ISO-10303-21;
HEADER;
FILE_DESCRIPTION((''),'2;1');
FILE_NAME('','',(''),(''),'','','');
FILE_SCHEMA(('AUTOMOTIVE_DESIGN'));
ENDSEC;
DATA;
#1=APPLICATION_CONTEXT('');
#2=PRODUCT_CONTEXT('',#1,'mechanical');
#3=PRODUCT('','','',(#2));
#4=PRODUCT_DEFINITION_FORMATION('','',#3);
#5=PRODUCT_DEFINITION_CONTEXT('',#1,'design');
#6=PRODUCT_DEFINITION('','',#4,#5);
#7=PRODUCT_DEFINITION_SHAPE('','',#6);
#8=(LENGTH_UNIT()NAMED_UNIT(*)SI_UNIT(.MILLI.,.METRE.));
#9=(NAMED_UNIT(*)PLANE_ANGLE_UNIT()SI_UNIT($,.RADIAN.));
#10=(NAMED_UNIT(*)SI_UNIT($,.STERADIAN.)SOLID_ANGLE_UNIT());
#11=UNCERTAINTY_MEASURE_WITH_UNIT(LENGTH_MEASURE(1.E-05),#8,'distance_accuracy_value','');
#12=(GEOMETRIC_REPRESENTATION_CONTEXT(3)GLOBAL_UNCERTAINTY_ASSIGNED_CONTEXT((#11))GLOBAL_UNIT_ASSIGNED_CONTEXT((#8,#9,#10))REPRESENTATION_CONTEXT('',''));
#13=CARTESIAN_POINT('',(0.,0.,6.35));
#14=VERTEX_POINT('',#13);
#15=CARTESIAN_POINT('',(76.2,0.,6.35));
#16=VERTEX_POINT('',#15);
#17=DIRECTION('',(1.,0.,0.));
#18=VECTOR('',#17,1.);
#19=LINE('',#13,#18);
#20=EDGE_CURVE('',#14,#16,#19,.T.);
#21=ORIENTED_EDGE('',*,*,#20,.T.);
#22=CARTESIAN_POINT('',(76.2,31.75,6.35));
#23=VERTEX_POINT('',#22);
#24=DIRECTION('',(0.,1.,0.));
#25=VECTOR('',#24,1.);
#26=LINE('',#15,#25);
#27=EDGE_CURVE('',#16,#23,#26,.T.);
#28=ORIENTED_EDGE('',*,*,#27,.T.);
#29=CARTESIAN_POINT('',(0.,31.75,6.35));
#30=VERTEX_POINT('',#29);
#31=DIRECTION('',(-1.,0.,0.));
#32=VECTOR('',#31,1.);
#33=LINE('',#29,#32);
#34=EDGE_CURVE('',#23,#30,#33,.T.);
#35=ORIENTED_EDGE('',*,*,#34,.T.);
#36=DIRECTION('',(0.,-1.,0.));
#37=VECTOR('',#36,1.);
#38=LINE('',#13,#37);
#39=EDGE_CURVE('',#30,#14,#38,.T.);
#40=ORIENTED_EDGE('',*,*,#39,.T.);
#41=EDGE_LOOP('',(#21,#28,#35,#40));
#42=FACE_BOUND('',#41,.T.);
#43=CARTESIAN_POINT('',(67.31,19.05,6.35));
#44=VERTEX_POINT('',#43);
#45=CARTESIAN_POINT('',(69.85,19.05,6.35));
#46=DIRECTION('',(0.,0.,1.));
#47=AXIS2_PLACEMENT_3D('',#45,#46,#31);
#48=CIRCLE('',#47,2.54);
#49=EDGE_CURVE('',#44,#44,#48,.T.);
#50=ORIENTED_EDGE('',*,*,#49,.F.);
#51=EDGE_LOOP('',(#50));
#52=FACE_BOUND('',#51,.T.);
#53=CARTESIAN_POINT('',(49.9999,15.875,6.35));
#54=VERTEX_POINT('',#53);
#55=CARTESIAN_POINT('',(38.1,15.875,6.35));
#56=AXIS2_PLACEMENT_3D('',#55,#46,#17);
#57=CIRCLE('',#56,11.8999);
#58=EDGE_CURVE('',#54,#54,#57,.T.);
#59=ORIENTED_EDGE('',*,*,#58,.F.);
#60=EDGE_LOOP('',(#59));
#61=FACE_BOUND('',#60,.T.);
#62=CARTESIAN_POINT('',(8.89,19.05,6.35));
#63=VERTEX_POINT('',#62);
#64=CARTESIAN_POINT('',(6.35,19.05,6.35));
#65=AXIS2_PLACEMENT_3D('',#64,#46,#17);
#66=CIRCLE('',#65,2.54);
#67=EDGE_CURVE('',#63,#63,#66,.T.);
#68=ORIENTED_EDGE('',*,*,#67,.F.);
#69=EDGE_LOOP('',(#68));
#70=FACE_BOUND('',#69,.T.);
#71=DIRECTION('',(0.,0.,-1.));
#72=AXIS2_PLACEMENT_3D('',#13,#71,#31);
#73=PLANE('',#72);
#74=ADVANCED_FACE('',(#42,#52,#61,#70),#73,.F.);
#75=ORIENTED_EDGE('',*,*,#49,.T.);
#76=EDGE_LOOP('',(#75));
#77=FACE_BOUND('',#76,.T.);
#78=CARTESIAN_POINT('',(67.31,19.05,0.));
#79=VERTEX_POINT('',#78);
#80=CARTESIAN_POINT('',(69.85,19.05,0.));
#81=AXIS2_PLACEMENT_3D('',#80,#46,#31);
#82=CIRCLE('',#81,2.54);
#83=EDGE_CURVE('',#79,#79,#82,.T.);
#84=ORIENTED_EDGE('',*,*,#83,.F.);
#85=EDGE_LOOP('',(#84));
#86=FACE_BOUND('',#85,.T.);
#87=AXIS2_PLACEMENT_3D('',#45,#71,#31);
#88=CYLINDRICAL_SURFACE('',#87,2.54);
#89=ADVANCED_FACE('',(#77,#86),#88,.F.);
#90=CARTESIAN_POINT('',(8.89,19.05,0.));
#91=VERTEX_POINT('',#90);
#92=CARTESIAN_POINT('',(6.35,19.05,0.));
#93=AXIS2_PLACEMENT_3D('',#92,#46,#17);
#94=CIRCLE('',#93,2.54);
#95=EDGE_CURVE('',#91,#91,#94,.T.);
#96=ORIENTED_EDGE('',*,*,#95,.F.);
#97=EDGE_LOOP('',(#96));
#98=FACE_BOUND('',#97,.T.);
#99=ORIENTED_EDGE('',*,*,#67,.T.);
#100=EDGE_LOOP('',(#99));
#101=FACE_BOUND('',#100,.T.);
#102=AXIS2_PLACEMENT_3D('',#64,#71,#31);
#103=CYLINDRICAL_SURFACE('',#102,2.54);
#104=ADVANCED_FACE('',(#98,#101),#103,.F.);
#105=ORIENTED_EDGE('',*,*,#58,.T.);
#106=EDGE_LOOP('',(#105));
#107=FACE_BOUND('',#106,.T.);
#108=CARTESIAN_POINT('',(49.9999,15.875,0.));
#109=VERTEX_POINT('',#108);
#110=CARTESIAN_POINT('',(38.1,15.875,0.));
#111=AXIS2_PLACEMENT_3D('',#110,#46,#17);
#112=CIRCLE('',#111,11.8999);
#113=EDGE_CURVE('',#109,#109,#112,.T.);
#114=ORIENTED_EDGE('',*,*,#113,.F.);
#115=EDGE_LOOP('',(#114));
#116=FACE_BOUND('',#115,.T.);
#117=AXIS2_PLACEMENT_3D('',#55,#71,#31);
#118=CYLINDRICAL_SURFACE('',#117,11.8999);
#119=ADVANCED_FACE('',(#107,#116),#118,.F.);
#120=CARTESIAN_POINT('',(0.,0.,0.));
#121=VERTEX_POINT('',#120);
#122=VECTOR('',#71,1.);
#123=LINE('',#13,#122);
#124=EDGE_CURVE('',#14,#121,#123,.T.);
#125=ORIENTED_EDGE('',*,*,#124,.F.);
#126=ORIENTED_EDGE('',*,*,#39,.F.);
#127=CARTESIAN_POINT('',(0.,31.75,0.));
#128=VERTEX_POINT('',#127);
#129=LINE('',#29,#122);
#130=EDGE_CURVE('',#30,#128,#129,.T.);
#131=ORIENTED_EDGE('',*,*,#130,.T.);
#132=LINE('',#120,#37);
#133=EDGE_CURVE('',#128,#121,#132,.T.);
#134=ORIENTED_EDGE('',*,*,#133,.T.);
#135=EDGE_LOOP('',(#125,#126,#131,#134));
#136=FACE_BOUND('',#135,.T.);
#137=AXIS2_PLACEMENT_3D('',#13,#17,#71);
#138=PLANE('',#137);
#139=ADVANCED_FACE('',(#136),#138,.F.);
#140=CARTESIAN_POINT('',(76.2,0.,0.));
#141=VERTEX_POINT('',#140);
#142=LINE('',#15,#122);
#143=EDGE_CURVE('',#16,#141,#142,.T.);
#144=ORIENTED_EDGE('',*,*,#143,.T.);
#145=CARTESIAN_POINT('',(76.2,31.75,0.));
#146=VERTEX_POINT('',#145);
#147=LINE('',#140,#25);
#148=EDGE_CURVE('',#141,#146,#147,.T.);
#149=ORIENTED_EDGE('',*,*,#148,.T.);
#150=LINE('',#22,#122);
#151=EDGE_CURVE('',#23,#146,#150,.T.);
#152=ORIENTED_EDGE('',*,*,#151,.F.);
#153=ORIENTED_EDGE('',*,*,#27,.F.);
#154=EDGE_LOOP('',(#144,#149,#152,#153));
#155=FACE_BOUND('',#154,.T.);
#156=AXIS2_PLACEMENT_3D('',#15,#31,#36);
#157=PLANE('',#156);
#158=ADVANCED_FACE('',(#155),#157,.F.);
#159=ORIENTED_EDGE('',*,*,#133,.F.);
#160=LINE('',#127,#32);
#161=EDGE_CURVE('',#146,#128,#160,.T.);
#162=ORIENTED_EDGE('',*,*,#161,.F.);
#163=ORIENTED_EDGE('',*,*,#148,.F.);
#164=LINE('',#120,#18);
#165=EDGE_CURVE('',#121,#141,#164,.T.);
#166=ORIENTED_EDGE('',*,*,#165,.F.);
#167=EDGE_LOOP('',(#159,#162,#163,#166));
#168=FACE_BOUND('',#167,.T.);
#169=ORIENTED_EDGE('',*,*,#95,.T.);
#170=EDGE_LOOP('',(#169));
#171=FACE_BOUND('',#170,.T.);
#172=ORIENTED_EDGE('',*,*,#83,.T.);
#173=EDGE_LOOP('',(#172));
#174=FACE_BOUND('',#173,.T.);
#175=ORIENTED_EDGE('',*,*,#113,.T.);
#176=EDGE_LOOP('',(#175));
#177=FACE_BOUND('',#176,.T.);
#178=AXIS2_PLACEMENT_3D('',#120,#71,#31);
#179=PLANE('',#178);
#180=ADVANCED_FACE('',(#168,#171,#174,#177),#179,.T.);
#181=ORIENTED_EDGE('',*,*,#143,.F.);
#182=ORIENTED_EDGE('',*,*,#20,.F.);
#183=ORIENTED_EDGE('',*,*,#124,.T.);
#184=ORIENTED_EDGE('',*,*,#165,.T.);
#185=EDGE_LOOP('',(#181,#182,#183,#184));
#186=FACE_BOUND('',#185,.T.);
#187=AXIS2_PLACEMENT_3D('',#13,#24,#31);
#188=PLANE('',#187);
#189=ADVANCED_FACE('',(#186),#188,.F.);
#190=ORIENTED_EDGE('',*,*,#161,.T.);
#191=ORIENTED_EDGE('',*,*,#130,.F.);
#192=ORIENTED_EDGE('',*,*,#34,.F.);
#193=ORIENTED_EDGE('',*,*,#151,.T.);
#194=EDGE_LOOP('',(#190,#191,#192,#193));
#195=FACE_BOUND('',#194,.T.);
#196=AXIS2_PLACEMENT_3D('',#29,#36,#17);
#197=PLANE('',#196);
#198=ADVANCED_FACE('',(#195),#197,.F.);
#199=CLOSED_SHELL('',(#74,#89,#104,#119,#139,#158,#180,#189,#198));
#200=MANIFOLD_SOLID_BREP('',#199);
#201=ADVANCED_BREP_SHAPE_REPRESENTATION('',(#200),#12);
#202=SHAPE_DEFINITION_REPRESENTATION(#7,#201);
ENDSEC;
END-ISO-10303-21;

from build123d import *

# Parameters (mm, degrees)
SKETCH1_W           = 76.2
SKETCH1_H           = 31.75
SKETCH1_R           = 11.8999
SKETCH1_R_2         = 2.54
BOSS_EXTRUDE1_DEPTH = 6.35


with BuildPart() as part:
    # Sketch1 → Boss-Extrude1 (new body)
    with BuildSketch(Plane.XY):
        with Locations((38.1, 15.875)):
            Rectangle(SKETCH1_W, SKETCH1_H)
        with Locations((38.1, 15.875)):
            Circle(SKETCH1_R, mode=Mode.SUBTRACT)
        with Locations((6.35, 19.05)):
            Circle(SKETCH1_R_2, mode=Mode.SUBTRACT)
        with Locations((69.85, 19.05)):
            Circle(SKETCH1_R_2, mode=Mode.SUBTRACT)
    extrude(amount=BOSS_EXTRUDE1_DEPTH)


solid = part.part
